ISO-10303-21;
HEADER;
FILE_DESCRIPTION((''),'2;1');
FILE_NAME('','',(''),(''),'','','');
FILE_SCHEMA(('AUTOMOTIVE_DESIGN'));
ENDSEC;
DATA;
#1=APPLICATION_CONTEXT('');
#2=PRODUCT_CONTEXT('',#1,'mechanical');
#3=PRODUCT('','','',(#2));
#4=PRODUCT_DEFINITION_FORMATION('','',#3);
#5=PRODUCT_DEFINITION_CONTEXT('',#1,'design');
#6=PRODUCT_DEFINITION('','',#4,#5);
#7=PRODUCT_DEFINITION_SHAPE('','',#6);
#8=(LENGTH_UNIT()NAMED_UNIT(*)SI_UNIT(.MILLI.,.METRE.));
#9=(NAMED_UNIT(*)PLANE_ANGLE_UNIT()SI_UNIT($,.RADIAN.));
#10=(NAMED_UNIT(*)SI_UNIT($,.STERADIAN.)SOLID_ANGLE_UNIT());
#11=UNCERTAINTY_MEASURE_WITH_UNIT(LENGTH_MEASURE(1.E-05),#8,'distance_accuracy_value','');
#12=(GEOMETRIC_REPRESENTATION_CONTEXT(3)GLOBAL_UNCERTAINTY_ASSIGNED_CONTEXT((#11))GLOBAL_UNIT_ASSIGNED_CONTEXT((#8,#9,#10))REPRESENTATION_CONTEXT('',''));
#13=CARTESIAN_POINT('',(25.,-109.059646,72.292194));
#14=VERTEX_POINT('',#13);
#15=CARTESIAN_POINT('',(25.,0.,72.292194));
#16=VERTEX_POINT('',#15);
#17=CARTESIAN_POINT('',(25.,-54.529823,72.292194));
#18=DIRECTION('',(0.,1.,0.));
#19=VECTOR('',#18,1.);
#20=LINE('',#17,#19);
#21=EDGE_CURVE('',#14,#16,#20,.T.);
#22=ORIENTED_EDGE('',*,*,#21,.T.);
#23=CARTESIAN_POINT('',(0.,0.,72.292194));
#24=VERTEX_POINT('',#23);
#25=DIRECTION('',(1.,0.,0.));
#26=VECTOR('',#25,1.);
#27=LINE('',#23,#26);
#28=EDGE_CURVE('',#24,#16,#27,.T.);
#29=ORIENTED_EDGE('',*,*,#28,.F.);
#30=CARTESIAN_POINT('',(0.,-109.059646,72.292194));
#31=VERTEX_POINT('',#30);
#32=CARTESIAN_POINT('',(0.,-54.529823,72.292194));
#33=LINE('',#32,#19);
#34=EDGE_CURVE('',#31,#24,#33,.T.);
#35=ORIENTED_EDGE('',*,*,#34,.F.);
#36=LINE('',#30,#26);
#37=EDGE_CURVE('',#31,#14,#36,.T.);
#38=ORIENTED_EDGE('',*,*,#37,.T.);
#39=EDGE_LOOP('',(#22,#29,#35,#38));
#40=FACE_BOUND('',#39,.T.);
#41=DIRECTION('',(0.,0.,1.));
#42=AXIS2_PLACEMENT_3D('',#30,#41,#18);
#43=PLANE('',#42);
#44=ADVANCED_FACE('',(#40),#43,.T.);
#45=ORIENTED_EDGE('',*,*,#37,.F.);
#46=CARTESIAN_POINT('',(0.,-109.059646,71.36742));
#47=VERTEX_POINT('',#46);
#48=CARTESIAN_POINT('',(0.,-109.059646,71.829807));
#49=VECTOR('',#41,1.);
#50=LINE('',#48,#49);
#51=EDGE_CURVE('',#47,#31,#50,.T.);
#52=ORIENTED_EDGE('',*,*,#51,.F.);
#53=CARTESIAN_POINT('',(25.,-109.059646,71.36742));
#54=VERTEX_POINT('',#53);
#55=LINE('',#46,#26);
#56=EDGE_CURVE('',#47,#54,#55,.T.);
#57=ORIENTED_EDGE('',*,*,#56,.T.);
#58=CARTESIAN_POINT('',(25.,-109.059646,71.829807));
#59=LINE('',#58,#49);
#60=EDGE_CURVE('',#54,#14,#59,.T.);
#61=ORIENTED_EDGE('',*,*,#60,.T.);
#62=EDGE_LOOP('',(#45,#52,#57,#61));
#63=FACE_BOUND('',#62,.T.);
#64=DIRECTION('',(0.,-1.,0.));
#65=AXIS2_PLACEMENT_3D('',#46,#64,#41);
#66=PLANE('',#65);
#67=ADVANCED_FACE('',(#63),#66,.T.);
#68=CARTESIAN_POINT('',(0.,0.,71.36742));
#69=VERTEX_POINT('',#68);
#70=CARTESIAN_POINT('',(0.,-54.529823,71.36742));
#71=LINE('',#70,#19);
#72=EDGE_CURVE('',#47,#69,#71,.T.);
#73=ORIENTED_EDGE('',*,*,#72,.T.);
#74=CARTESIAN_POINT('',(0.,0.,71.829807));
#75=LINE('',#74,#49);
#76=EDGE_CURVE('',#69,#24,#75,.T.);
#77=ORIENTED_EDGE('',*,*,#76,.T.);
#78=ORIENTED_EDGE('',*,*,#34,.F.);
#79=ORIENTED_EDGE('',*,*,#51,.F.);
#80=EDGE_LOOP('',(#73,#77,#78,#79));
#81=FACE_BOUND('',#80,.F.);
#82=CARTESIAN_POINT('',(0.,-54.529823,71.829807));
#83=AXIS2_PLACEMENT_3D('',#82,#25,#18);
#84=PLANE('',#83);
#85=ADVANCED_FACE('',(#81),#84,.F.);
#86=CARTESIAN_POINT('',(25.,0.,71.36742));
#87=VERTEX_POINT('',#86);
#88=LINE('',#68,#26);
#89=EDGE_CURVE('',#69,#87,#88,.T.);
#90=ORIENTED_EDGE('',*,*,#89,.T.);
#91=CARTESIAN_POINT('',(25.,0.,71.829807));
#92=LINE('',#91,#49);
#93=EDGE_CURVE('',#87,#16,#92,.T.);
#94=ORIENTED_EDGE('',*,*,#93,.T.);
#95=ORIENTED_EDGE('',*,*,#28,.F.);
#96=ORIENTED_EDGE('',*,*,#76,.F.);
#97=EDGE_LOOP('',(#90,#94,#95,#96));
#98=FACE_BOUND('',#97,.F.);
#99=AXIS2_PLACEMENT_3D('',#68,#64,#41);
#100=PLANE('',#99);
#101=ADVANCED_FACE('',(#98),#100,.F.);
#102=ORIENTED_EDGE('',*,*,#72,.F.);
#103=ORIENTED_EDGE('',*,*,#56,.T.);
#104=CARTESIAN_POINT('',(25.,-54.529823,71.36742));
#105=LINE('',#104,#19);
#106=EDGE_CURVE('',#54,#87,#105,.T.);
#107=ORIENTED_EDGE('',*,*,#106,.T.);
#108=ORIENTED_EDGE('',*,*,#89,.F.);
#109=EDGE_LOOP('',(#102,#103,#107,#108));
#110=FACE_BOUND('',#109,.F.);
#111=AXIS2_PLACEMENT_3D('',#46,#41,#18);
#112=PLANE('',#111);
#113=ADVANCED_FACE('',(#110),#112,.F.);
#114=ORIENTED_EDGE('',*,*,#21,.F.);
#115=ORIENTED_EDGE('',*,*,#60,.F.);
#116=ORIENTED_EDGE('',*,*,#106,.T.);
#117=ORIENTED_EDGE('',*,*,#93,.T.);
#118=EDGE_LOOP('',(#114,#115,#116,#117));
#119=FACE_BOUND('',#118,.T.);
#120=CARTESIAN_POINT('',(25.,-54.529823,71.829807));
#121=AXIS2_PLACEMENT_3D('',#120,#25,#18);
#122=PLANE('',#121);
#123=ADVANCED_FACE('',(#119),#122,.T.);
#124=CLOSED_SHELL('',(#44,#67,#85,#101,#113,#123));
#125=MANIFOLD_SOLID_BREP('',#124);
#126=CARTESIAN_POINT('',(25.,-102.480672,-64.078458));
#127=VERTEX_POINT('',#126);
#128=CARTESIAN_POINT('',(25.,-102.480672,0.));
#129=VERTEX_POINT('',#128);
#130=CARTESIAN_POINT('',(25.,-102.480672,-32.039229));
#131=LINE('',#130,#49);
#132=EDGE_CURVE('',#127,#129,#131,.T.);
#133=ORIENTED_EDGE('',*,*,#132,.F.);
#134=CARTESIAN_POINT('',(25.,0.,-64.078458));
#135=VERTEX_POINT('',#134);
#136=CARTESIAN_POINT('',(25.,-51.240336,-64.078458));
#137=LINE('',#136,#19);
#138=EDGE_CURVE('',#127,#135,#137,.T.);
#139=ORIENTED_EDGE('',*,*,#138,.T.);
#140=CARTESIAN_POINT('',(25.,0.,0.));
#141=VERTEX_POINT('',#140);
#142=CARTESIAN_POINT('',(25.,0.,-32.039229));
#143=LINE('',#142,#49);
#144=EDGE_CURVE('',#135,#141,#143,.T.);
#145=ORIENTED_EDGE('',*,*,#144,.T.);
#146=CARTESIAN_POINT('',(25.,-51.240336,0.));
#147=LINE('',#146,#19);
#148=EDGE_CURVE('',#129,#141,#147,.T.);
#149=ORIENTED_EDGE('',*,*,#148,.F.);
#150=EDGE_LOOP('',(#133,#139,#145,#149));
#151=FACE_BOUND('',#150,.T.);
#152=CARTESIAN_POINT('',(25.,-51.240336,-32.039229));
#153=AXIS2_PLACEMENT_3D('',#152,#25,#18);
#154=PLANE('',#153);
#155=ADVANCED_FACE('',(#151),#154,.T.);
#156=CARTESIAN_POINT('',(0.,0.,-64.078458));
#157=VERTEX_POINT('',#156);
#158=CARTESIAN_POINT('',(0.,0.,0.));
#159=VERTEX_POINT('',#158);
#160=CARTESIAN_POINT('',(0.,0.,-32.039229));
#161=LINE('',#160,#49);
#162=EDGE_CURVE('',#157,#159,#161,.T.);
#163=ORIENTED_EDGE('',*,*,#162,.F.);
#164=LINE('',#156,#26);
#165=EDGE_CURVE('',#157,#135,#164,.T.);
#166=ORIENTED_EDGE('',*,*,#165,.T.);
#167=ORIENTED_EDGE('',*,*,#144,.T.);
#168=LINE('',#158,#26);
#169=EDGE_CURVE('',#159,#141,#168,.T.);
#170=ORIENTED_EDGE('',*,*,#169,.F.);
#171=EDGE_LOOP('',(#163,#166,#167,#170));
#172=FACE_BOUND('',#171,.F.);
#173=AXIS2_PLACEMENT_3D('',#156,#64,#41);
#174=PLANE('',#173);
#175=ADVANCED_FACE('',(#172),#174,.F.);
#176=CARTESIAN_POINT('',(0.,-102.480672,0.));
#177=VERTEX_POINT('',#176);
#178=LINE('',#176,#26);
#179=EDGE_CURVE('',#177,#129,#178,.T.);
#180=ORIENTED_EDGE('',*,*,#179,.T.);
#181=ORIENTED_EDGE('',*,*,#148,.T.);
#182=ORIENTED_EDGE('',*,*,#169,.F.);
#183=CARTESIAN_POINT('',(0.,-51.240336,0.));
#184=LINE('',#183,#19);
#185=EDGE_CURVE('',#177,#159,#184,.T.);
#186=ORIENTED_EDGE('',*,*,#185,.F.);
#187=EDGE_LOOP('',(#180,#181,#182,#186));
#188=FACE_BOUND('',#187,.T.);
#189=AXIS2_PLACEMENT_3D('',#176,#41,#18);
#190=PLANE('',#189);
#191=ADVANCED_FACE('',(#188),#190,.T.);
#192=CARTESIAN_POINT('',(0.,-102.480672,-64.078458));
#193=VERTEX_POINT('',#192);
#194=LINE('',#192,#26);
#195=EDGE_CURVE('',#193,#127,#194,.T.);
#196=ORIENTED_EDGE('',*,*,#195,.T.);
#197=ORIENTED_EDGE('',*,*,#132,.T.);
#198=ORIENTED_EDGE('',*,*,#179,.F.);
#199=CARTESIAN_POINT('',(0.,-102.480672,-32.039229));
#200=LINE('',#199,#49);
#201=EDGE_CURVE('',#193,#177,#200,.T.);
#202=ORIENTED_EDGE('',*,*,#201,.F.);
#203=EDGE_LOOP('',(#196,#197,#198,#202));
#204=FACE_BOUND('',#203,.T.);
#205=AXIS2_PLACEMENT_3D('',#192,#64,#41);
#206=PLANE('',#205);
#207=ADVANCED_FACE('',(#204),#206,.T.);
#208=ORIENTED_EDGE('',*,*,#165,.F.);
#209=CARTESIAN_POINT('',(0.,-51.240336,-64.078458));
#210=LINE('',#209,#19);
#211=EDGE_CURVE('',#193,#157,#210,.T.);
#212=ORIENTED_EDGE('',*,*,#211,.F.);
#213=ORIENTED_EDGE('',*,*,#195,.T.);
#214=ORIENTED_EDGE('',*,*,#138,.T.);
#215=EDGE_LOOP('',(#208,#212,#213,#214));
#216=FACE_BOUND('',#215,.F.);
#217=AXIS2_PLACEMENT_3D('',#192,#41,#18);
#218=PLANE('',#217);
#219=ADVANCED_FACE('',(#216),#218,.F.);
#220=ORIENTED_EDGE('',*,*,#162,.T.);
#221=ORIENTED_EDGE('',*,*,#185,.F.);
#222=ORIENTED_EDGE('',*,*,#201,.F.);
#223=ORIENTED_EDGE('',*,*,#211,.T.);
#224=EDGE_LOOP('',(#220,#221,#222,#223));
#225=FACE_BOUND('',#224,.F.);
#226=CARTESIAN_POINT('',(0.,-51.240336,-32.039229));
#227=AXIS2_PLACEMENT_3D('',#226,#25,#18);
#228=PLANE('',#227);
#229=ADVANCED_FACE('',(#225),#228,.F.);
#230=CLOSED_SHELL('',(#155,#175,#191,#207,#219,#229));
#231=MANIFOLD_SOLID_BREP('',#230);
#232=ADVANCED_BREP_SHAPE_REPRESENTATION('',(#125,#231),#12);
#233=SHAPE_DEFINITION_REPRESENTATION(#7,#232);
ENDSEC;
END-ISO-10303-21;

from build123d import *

# Parameters (mm, degrees)
F0_W     = 102.480672
F0_H     = 64.078458
F0_W_2   = 109.059647
F0_H_2   = 0.924774
F1_DEPTH = 25


with BuildPart() as f1:
    # F0 (on Right) → F1 (new body)
    with BuildSketch(Plane.YZ):
        with Locations((-51.240336, -32.039229)):
            Rectangle(F0_W, F0_H)
        with Locations((-54.529823, 71.829807)):
            Rectangle(F0_W_2, F0_H_2)
    extrude(amount=F1_DEPTH)


solid = f1.part
